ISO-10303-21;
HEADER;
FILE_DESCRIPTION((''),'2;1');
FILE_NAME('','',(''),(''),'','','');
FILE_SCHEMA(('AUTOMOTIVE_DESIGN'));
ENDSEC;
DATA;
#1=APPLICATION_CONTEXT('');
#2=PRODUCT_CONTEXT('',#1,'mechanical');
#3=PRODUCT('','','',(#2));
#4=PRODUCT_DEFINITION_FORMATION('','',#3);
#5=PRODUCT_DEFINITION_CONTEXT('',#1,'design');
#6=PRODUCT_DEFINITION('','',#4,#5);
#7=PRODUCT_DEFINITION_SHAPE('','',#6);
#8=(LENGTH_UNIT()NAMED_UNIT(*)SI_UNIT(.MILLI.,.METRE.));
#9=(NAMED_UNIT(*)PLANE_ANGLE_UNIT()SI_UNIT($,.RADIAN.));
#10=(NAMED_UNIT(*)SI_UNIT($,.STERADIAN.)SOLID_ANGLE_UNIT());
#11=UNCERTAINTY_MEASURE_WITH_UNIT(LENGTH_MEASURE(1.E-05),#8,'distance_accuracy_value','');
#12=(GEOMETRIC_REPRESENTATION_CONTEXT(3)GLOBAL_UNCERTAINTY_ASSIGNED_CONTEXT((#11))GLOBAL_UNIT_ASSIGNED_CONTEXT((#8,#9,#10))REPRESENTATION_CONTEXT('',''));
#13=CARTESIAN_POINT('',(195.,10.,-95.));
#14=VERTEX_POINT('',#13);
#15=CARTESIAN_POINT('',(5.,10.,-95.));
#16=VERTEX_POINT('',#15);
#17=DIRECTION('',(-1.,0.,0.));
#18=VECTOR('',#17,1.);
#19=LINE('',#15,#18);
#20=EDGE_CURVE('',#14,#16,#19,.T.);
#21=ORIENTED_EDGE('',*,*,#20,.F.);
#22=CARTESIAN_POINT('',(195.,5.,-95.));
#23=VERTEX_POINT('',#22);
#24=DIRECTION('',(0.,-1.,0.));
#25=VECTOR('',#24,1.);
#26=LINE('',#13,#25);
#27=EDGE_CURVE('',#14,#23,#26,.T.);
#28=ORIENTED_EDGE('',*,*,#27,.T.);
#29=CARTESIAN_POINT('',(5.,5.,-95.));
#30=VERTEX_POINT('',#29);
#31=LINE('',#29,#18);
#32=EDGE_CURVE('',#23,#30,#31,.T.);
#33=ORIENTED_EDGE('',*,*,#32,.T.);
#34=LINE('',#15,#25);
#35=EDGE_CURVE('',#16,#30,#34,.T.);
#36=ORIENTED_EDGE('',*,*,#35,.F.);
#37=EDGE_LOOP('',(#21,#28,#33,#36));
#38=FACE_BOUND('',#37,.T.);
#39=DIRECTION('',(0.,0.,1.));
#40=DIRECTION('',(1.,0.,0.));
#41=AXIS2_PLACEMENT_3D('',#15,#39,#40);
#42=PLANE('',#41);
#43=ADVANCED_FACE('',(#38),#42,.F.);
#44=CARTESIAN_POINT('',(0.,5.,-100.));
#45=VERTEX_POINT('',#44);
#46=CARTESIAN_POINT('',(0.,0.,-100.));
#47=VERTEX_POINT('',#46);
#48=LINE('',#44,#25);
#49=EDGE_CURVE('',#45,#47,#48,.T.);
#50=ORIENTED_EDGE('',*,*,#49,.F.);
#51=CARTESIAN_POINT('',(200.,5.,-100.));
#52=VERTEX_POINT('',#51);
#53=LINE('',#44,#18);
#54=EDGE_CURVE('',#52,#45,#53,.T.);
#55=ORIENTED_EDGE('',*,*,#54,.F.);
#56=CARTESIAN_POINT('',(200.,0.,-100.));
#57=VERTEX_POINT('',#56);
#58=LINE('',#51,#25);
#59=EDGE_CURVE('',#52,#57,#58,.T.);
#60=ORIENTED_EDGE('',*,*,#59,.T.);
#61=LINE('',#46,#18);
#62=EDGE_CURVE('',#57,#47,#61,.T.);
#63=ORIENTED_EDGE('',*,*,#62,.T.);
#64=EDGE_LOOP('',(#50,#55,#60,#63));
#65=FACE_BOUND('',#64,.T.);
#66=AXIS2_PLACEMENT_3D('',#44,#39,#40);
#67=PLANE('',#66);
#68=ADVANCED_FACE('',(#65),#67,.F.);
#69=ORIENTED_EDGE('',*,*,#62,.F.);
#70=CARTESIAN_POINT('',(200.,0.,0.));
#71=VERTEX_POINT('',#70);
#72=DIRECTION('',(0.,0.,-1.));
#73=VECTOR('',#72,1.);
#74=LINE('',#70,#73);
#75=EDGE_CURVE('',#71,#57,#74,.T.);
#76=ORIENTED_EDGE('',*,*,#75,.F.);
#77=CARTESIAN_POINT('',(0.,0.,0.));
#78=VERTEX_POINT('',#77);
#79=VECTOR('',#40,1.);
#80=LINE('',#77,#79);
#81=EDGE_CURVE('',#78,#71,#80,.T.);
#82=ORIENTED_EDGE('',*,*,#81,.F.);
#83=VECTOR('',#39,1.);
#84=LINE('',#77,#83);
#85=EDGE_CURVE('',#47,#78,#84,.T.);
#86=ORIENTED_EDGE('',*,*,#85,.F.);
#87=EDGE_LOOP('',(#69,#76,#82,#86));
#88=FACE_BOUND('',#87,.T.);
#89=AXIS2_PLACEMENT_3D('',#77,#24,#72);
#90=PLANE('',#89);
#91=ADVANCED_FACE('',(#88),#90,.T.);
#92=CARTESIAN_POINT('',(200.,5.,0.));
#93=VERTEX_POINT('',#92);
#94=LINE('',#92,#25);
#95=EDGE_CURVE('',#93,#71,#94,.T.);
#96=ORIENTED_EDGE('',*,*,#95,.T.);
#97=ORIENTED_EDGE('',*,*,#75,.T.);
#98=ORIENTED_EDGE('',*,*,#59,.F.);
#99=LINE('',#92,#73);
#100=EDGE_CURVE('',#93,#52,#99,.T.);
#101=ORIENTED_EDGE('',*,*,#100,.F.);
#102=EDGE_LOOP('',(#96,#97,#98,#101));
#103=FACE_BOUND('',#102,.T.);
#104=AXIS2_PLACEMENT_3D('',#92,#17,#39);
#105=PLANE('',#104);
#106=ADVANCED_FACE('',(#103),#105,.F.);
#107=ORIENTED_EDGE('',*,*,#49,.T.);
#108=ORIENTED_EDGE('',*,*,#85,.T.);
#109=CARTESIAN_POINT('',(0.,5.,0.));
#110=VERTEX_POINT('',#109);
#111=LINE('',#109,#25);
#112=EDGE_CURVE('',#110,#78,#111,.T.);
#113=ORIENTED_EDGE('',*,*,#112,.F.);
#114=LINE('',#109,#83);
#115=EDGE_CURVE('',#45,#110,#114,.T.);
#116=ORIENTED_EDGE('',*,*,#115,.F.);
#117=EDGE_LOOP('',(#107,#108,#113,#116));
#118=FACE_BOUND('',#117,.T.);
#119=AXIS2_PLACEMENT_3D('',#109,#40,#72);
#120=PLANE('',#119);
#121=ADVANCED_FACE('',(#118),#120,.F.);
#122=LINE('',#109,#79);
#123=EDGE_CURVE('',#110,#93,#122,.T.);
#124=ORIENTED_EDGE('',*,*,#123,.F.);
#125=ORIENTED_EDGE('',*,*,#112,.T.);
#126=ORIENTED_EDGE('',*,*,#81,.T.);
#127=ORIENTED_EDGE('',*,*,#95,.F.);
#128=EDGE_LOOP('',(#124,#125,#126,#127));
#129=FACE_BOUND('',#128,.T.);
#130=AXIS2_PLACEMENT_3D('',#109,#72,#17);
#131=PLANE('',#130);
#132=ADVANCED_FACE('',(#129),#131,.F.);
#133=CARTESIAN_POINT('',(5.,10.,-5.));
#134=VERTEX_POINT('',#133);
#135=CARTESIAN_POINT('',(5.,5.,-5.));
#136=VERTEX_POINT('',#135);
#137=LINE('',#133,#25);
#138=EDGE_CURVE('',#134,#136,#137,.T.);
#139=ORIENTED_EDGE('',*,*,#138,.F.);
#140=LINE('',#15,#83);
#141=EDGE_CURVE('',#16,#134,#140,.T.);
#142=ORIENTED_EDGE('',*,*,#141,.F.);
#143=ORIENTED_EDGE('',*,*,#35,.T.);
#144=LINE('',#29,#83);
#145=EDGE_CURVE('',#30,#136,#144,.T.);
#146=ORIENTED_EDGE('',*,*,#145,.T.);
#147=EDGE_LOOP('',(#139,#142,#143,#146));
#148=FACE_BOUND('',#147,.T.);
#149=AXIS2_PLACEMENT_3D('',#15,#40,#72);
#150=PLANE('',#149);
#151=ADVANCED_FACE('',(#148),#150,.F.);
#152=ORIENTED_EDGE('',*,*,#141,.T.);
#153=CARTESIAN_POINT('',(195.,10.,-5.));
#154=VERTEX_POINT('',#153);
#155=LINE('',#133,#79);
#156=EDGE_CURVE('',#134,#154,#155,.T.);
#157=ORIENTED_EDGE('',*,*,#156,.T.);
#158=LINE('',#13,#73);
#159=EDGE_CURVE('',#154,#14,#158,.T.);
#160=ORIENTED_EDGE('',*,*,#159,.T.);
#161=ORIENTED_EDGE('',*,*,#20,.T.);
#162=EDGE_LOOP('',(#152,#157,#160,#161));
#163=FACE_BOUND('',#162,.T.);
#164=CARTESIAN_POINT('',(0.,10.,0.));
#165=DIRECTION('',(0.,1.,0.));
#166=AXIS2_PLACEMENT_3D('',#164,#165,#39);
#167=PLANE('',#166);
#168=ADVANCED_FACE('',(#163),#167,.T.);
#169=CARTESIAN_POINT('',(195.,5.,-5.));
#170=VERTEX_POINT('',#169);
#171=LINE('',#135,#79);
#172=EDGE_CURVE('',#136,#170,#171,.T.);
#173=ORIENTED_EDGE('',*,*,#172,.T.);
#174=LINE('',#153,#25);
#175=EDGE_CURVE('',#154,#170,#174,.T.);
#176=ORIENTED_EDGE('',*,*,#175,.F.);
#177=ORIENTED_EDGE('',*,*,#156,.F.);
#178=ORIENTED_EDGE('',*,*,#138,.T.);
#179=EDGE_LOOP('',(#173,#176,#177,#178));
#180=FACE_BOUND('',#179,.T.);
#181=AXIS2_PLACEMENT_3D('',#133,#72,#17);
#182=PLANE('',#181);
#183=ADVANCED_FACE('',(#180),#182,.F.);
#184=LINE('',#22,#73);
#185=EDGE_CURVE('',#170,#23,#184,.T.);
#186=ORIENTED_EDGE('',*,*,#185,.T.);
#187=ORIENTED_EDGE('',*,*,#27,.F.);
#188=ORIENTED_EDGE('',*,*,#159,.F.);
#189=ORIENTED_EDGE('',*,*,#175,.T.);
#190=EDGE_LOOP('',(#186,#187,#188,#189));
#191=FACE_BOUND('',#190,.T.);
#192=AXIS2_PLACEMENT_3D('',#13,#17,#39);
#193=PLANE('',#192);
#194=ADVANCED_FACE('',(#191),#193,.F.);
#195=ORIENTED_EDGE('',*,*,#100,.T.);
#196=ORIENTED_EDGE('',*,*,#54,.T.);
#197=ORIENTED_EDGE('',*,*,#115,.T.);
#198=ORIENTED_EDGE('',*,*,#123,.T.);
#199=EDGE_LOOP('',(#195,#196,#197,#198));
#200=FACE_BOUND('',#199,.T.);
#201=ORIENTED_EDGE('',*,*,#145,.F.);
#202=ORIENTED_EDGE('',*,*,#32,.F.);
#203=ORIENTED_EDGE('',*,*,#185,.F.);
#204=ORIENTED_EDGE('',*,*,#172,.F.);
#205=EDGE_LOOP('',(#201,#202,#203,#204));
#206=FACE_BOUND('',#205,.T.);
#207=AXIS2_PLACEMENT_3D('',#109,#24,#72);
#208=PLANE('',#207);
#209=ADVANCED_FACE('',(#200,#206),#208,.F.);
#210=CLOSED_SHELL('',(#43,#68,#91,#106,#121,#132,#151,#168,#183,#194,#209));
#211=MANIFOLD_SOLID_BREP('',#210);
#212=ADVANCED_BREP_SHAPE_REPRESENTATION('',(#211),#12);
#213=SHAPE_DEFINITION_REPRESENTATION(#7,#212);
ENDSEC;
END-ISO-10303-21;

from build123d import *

# Parameters (mm, degrees)
SKETCH1_W           = 200
SKETCH1_H           = 100
BOSS_EXTRUDE1_DEPTH = 5
SKETCH2_W           = 190
SKETCH2_H           = 90
BOSS_EXTRUDE2_DEPTH = 5


with BuildPart() as part:
    # Sketch1 → Boss-Extrude1 (new body)
    with BuildSketch(Plane(origin=(0, 0, 0), x_dir=(1, 0, 0), z_dir=(0, 1, 0))):
        with Locations((100, 50)):
            Rectangle(SKETCH1_W, SKETCH1_H)
    extrude(amount=BOSS_EXTRUDE1_DEPTH)

    # Sketch2 → Boss-Extrude2 (add)
    with BuildSketch(Plane(origin=(0, 5, 0), x_dir=(1, 0, 0), z_dir=(0, 1, 0))):
        with Locations((100, 50)):
            Rectangle(SKETCH2_W, SKETCH2_H)
    extrude(amount=BOSS_EXTRUDE2_DEPTH)


solid = part.part
